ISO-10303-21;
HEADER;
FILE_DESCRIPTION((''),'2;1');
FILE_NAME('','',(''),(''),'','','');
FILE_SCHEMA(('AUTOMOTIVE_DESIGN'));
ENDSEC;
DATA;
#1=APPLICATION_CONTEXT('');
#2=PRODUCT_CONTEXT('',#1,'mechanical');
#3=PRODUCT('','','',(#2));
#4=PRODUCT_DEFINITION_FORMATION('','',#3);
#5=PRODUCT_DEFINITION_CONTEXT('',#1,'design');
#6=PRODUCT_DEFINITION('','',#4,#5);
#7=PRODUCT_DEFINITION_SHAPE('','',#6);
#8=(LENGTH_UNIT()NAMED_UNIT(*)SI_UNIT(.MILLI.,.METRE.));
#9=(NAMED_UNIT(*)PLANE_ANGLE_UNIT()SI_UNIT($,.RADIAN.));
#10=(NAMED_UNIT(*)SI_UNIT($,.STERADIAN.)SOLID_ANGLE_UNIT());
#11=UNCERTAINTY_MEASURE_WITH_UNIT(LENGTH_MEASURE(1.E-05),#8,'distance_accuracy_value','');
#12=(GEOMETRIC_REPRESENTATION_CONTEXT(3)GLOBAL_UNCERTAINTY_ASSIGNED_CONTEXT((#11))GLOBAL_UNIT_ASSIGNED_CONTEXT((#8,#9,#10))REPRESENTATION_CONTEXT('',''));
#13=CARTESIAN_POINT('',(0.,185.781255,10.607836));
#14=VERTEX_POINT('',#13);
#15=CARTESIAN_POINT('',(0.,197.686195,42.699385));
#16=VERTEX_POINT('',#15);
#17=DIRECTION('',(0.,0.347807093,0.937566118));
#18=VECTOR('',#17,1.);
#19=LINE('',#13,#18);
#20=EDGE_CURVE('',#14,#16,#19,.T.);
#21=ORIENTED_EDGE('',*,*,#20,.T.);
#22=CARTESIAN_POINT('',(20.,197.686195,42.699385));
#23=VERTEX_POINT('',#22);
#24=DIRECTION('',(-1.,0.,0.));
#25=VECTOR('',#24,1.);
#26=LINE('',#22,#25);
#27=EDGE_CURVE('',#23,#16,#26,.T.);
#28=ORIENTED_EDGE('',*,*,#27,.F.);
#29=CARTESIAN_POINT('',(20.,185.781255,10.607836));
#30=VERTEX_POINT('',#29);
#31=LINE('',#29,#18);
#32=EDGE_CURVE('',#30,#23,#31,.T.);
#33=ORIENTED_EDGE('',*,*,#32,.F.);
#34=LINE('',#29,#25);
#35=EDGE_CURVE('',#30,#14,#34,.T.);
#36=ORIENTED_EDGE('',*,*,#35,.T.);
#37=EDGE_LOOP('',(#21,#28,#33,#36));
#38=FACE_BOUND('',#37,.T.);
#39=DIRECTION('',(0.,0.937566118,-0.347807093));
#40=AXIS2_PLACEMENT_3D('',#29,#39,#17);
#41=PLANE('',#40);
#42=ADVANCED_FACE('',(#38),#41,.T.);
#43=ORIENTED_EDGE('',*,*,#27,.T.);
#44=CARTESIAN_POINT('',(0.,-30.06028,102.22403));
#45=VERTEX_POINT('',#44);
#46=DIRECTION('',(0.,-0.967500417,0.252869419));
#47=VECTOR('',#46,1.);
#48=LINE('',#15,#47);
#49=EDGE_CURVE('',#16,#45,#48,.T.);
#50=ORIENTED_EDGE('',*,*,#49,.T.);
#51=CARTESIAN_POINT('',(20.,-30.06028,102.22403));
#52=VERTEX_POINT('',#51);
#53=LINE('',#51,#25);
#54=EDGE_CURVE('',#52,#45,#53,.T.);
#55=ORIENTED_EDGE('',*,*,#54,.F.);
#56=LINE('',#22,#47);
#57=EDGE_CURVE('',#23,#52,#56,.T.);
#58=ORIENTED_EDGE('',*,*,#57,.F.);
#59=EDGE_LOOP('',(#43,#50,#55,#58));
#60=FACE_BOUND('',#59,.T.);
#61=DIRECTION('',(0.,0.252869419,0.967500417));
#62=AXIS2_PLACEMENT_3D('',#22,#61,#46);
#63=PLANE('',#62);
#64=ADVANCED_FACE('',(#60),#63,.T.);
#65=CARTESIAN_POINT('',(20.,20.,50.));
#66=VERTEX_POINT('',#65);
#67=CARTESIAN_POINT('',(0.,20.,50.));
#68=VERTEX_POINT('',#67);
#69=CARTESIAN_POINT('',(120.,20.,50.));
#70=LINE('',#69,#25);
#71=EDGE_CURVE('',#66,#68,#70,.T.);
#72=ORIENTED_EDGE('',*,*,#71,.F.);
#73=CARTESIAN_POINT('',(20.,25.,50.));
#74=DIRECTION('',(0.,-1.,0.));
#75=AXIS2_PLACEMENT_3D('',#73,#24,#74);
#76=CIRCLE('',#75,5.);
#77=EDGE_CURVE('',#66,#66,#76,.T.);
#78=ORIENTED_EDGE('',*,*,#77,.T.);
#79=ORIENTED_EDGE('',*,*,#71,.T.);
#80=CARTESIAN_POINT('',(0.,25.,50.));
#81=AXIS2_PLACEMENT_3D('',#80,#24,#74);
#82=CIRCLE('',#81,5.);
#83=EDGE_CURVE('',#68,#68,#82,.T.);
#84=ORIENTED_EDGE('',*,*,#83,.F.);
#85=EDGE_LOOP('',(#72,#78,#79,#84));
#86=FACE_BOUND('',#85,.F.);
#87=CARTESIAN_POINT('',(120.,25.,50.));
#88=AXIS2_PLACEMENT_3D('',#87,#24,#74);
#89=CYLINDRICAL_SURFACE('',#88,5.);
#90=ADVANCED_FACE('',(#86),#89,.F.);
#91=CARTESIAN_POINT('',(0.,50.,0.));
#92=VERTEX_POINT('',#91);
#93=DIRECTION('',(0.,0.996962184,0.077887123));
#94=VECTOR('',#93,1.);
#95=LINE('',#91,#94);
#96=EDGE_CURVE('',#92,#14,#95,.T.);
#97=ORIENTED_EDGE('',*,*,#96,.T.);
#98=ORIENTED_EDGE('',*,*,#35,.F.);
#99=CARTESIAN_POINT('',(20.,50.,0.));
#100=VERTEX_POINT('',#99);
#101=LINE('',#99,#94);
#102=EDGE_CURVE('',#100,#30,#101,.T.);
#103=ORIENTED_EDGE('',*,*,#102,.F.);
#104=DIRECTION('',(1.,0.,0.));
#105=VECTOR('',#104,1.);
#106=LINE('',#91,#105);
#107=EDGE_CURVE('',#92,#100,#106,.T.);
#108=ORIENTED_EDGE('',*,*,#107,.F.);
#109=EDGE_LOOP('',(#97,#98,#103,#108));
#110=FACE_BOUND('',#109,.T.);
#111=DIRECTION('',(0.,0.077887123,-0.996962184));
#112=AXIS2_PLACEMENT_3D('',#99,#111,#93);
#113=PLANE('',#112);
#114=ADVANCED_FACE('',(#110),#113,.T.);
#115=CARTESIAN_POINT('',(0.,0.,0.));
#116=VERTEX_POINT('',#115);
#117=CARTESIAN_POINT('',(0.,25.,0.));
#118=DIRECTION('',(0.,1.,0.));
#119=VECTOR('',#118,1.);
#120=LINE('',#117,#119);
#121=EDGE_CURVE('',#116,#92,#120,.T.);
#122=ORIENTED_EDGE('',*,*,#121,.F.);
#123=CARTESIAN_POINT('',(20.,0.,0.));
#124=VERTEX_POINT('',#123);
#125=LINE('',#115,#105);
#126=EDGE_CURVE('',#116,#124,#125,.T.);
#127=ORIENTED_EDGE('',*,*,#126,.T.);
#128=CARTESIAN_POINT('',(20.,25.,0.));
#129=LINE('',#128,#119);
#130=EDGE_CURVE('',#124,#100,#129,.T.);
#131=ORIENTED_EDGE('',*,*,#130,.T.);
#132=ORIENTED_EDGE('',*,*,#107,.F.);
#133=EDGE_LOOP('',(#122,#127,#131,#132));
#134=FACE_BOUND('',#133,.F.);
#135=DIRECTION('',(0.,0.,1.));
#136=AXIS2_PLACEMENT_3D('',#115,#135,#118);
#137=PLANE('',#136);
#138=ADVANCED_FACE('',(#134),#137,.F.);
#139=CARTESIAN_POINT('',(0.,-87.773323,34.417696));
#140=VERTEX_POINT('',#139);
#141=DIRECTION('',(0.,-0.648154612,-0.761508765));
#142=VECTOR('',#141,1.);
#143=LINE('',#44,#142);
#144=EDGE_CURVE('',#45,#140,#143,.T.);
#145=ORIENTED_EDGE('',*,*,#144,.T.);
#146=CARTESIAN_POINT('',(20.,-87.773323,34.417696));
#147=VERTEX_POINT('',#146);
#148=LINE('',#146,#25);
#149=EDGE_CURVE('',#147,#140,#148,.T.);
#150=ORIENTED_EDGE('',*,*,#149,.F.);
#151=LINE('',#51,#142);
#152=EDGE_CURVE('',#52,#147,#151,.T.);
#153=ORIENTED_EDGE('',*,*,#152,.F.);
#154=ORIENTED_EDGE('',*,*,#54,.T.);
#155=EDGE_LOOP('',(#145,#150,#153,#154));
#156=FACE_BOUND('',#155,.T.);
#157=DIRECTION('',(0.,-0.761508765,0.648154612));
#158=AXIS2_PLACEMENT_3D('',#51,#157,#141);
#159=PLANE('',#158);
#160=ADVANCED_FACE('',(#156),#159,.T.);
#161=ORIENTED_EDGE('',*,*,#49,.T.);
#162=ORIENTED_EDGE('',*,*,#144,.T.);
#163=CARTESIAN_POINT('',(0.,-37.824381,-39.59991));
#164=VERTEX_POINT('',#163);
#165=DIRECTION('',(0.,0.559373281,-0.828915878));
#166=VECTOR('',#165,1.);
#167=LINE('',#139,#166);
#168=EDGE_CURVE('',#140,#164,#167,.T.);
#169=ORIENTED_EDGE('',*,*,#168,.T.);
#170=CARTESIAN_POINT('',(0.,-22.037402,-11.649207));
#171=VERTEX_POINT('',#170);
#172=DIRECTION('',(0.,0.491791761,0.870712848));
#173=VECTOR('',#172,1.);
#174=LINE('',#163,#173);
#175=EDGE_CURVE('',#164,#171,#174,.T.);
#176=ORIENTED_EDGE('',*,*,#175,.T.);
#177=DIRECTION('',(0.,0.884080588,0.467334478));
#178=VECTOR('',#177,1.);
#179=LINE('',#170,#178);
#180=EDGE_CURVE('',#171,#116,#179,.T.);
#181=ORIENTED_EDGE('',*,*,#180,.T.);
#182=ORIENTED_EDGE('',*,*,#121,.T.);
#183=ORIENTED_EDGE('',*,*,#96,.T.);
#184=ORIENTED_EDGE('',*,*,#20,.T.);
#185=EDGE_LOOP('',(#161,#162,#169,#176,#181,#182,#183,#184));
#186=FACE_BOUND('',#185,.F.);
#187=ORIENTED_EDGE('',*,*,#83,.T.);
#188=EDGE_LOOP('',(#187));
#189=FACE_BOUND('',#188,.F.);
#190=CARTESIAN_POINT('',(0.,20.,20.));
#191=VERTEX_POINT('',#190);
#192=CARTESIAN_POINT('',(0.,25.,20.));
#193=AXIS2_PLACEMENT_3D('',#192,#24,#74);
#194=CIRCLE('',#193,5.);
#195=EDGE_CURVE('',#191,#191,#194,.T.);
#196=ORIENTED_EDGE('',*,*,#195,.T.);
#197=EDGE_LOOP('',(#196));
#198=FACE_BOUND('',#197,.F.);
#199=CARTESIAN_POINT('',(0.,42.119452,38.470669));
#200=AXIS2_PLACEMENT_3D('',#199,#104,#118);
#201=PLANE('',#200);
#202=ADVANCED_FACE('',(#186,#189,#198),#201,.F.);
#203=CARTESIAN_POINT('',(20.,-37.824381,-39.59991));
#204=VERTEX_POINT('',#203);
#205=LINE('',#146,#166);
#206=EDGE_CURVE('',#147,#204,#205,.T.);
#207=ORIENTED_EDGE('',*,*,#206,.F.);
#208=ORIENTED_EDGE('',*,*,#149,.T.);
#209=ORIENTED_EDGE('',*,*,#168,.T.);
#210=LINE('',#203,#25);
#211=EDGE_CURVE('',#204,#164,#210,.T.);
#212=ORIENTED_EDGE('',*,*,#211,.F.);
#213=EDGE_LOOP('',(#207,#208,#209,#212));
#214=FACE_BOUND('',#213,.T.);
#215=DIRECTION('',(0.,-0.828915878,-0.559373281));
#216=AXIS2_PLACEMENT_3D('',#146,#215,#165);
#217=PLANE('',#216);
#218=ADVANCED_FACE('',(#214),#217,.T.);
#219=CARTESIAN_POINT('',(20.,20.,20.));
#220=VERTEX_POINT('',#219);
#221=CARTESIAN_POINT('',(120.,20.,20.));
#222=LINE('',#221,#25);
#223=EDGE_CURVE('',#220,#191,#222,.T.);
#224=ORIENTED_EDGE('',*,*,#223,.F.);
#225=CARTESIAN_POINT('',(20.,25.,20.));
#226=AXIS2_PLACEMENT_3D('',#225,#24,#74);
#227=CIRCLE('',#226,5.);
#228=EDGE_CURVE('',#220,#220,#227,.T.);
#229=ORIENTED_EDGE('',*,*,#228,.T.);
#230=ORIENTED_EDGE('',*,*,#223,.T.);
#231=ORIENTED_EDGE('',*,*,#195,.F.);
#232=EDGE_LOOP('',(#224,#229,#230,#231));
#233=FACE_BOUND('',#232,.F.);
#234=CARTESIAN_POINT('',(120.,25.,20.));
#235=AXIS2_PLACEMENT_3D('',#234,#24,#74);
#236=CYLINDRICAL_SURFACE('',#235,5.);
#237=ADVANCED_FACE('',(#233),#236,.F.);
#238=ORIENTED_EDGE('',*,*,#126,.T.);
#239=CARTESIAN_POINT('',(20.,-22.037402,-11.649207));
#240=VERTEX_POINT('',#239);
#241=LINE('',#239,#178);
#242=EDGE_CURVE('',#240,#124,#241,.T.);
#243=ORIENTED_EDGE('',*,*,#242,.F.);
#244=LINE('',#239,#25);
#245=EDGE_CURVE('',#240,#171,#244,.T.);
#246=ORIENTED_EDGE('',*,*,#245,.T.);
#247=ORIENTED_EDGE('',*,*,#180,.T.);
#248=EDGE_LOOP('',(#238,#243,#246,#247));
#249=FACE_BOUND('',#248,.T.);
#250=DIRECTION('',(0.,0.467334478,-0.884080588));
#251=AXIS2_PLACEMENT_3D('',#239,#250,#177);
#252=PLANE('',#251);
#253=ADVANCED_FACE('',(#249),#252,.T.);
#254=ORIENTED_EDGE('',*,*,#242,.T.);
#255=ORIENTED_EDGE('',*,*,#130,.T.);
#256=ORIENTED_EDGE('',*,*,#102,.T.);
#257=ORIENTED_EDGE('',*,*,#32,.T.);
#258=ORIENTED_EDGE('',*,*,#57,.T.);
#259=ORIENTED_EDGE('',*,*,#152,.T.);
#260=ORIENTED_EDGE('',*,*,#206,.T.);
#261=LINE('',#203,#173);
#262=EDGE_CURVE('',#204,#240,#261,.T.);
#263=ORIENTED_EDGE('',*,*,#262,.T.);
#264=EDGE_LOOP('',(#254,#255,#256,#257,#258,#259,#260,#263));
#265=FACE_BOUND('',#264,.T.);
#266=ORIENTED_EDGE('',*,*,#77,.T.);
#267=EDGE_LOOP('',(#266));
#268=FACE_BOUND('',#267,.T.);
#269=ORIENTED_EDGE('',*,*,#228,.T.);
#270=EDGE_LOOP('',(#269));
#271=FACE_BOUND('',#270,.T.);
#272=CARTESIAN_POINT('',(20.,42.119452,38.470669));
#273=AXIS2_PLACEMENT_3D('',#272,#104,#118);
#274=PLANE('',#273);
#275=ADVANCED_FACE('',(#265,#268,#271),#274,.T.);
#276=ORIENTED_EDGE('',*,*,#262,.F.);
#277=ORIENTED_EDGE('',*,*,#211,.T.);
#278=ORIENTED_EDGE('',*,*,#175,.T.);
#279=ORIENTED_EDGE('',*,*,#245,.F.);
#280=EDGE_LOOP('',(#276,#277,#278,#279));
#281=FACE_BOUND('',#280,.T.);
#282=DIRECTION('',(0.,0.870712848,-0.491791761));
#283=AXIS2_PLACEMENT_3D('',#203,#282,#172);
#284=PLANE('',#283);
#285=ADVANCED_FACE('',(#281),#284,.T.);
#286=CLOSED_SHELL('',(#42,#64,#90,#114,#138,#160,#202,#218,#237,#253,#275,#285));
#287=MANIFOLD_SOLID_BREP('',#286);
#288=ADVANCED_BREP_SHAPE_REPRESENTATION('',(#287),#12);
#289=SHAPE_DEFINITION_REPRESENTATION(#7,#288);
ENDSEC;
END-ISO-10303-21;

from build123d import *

# Parameters (mm, degrees)
F0_W     = 50
F0_H     = 70
F1_DEPTH = 20
F3_D     = 10
F3_DEPTH = 100
F5_DEPTH = 20


with BuildPart() as f1:
    # F0 (on Right) → F1 (new body)
    with BuildSketch(Plane.YZ):
        with Locations((25, 35)):
            Rectangle(F0_W, F0_H)
    extrude(amount=F1_DEPTH)

    # F3
    with Locations(Plane.YZ.offset(20)):
        with Locations((25, 20), (25, 50)):
            Hole(F3_D / 2, depth=F3_DEPTH)

    # F4 (on face) → F5 (join)
    with BuildSketch(Plane.YZ.offset(20)):
        Polygon((-22.037402, -11.649207), (0, 0), (0, 70), (50, 70), (50, 0), (185.781255, 10.607836), (197.686195, 42.699385), (-30.06028, 102.22403), (-87.773323, 34.417696), (-37.824381, -39.59991), align=None)
    extrude(amount=-F5_DEPTH)


solid = f1.part
